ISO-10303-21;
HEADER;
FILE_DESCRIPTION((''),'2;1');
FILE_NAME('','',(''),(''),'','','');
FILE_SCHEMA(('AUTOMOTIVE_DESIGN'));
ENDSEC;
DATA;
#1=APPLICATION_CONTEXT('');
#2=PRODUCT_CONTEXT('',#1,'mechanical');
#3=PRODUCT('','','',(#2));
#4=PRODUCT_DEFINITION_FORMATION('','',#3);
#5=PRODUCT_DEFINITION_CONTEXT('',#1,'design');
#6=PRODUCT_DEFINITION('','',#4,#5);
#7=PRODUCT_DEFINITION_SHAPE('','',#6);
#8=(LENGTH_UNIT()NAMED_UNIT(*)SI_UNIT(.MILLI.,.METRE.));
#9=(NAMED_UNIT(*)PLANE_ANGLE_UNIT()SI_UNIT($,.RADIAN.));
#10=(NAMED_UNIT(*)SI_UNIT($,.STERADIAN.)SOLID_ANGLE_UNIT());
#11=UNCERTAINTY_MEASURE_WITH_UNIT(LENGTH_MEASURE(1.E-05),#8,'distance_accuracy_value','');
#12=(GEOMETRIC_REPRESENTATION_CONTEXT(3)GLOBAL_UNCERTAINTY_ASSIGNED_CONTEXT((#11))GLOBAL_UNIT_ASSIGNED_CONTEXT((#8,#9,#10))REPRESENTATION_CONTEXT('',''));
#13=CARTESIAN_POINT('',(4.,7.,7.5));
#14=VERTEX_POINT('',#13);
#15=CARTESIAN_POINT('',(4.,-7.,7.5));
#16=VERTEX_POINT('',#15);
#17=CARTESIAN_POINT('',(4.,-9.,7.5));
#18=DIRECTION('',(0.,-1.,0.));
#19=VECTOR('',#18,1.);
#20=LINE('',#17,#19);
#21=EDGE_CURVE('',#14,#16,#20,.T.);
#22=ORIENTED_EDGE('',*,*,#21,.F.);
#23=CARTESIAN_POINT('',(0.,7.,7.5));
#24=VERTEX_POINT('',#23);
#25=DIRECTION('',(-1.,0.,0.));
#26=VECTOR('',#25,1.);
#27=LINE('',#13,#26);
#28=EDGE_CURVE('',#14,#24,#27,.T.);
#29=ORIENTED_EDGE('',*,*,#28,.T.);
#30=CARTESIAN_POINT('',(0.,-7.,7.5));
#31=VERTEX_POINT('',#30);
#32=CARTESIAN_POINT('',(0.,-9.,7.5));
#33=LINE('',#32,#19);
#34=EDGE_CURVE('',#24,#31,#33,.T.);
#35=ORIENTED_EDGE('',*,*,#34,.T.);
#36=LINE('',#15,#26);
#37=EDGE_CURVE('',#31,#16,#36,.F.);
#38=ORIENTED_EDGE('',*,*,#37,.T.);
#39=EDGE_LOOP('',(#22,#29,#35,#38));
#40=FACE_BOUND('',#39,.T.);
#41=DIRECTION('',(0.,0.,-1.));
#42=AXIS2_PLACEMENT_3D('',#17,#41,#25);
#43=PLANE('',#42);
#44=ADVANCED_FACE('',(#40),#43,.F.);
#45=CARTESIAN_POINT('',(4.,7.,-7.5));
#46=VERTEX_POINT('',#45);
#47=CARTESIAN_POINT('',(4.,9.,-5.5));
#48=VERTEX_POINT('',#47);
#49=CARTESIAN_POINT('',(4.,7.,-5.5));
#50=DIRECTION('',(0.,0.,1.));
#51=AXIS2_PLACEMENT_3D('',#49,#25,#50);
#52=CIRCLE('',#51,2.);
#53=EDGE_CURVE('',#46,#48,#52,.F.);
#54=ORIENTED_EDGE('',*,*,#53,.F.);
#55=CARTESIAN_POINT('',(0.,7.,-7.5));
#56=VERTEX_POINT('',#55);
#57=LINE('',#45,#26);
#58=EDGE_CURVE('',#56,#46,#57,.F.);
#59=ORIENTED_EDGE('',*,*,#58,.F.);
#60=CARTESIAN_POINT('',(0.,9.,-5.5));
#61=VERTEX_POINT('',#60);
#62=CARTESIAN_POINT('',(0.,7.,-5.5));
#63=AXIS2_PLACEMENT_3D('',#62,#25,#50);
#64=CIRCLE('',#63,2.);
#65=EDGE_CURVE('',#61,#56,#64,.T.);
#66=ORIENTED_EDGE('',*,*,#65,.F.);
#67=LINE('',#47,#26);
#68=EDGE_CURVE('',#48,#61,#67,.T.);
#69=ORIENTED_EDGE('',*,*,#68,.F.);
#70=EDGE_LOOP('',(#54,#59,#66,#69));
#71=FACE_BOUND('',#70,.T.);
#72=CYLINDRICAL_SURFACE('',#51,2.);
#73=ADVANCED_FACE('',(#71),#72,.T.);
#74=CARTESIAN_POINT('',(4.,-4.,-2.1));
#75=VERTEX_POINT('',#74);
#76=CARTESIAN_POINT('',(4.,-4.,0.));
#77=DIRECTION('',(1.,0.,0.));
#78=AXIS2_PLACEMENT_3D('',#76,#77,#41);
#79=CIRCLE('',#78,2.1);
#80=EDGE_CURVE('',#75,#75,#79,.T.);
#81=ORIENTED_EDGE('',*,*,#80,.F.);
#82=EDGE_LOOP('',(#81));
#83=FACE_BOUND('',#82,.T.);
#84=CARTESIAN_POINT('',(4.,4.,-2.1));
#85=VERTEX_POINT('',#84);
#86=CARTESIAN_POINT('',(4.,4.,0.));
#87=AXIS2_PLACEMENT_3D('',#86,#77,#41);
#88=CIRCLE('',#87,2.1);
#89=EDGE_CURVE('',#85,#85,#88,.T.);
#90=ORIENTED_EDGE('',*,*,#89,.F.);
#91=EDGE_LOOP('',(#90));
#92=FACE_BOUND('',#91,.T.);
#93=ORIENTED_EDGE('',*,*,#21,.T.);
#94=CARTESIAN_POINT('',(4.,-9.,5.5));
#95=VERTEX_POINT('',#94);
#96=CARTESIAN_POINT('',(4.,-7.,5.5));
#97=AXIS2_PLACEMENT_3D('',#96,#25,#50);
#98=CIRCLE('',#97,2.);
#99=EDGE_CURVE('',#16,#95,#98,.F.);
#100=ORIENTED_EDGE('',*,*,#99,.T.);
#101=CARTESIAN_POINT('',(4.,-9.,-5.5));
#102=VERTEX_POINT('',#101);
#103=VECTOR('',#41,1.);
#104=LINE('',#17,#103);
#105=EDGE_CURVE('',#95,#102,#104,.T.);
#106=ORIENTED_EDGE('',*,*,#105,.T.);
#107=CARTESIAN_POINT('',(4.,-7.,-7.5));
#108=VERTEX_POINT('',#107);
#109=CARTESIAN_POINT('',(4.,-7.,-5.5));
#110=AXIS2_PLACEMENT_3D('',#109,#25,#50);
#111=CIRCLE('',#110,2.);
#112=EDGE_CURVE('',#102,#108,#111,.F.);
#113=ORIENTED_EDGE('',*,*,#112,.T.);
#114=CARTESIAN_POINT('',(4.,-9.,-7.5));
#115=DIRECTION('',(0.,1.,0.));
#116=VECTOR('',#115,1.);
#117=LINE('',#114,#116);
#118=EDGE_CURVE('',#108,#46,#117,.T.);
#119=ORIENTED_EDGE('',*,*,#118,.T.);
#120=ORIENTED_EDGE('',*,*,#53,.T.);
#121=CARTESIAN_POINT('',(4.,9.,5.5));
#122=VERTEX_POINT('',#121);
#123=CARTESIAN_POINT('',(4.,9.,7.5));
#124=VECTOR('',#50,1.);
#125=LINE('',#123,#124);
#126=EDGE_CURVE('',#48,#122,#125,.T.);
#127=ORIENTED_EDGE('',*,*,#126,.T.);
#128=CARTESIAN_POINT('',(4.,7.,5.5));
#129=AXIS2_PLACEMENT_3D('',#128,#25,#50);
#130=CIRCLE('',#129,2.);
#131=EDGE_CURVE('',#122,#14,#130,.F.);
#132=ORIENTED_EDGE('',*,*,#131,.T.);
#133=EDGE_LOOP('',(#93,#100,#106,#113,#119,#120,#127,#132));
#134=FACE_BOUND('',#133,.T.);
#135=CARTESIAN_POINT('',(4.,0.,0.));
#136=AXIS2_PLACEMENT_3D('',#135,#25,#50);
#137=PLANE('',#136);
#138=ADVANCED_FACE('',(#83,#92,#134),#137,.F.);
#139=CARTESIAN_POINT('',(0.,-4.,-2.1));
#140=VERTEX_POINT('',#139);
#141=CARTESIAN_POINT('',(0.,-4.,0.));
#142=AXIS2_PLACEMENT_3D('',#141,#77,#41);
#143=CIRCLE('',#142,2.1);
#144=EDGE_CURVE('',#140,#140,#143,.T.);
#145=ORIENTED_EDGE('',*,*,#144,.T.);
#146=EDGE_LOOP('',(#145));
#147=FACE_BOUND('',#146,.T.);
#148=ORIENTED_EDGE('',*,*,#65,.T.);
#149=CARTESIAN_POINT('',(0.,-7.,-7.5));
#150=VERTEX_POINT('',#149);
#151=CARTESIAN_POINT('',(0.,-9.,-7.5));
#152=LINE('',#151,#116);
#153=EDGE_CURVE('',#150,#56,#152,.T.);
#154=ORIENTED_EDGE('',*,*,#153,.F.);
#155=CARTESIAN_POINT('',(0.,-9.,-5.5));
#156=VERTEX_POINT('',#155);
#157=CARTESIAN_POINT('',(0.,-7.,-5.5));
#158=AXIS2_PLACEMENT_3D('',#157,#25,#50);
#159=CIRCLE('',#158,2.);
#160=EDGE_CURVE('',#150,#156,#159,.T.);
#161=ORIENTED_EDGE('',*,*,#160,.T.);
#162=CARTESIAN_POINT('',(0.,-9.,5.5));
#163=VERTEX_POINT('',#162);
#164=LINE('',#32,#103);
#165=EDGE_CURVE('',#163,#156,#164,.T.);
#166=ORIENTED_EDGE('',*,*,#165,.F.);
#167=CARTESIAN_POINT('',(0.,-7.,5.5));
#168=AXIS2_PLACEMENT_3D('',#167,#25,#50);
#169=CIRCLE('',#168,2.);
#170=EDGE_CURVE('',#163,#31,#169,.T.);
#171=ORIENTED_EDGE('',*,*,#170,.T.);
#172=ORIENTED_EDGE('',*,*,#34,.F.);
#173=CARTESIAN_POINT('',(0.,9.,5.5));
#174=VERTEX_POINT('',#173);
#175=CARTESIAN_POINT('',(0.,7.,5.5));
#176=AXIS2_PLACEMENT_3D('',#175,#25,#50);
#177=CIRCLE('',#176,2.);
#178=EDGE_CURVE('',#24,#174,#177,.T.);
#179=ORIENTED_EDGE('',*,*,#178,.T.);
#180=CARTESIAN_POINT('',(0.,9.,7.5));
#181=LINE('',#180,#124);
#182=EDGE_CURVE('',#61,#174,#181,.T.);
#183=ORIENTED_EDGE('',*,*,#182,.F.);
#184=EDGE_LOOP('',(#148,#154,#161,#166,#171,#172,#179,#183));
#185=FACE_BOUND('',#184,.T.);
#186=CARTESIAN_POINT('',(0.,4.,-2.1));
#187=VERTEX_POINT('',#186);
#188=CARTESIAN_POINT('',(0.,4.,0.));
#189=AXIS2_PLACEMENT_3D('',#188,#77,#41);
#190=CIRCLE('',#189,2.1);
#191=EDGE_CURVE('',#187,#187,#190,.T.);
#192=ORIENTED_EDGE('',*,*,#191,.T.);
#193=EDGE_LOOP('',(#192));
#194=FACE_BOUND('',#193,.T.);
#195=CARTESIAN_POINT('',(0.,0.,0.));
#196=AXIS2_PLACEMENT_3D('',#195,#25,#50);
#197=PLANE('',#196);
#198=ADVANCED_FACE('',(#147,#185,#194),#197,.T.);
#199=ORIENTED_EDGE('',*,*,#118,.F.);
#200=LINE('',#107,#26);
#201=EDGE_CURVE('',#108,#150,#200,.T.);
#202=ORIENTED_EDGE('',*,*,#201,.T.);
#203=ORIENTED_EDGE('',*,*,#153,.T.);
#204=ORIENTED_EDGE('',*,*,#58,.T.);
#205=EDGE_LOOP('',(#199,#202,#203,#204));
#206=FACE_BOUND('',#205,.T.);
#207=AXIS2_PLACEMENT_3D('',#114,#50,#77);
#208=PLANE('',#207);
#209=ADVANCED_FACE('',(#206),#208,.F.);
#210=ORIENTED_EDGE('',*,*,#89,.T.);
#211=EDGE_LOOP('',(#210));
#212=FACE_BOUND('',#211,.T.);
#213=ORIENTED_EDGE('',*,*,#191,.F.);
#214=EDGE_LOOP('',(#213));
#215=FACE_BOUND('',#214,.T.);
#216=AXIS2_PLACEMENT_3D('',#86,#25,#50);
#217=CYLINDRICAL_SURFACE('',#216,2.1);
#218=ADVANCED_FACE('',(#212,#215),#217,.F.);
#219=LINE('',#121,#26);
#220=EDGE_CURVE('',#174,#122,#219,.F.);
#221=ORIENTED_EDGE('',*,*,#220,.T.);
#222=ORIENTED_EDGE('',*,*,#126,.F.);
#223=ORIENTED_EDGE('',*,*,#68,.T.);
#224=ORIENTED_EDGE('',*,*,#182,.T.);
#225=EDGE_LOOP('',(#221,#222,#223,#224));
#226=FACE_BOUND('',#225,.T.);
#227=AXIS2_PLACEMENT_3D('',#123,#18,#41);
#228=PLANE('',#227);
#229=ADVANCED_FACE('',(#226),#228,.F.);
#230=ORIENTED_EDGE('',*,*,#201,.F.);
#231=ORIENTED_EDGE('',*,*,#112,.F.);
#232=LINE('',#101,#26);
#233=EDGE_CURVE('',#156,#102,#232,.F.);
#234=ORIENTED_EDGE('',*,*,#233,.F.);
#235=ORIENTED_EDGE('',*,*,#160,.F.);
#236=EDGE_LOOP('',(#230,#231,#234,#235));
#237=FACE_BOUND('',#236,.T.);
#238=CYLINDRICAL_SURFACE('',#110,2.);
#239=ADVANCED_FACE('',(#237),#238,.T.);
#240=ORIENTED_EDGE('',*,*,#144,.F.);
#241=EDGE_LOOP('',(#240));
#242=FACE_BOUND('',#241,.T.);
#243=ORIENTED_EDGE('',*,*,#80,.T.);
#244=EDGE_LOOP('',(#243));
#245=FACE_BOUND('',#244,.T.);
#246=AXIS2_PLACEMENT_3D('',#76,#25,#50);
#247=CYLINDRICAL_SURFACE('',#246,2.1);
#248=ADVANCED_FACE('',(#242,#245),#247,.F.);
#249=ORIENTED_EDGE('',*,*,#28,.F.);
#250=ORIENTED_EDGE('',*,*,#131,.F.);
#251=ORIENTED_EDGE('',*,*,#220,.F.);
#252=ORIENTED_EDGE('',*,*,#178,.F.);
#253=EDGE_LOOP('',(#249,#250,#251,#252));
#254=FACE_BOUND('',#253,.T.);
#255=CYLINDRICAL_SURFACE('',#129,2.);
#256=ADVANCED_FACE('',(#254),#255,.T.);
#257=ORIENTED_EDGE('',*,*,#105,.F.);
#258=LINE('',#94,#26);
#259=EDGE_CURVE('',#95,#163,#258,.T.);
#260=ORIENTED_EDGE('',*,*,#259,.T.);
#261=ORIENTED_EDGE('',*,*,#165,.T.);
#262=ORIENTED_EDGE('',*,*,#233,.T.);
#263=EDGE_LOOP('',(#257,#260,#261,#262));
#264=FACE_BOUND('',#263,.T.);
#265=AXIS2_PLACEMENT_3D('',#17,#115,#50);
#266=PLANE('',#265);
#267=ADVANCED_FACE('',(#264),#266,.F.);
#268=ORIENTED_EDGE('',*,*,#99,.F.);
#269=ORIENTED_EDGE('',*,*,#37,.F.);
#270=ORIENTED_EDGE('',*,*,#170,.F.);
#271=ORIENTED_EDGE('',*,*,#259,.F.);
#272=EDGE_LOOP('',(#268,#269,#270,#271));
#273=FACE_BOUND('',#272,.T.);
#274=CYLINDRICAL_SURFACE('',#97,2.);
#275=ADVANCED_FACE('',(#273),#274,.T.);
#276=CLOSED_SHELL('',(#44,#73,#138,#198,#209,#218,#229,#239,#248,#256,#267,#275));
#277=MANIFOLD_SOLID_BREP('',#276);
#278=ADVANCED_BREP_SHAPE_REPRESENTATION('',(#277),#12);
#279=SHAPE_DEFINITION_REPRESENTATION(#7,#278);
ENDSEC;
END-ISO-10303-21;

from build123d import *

# Parameters (mm, degrees)
SKETCH4_W           = 15
SKETCH4_H           = 18
SKETCH4_R           = 2.1
BOSS_EXTRUDE1_DEPTH = 4
FILLET1_R           = 2


with BuildPart() as part:
    # Sketch4 → Boss-Extrude1 (new body)
    with BuildSketch(Plane(origin=(0, 0, 0), x_dir=(0, 0, -1), z_dir=(1, 0, 0))):
        Rectangle(SKETCH4_W, SKETCH4_H)
        with Locations((0, 4)):
            Circle(SKETCH4_R, mode=Mode.SUBTRACT)
        with Locations((0, -4)):
            Circle(SKETCH4_R, mode=Mode.SUBTRACT)
    extrude(amount=BOSS_EXTRUDE1_DEPTH)

    # Fillet1
    fillet1_edges = [part.edges().sort_by_distance(p)[0] for p in [
        (2, -9, -7.5),
        (2, -9, 7.5),
        (2, 9, 7.5),
        (2, 9, -7.5),
    ]]
    fillet(fillet1_edges, radius=FILLET1_R)


solid = part.part
